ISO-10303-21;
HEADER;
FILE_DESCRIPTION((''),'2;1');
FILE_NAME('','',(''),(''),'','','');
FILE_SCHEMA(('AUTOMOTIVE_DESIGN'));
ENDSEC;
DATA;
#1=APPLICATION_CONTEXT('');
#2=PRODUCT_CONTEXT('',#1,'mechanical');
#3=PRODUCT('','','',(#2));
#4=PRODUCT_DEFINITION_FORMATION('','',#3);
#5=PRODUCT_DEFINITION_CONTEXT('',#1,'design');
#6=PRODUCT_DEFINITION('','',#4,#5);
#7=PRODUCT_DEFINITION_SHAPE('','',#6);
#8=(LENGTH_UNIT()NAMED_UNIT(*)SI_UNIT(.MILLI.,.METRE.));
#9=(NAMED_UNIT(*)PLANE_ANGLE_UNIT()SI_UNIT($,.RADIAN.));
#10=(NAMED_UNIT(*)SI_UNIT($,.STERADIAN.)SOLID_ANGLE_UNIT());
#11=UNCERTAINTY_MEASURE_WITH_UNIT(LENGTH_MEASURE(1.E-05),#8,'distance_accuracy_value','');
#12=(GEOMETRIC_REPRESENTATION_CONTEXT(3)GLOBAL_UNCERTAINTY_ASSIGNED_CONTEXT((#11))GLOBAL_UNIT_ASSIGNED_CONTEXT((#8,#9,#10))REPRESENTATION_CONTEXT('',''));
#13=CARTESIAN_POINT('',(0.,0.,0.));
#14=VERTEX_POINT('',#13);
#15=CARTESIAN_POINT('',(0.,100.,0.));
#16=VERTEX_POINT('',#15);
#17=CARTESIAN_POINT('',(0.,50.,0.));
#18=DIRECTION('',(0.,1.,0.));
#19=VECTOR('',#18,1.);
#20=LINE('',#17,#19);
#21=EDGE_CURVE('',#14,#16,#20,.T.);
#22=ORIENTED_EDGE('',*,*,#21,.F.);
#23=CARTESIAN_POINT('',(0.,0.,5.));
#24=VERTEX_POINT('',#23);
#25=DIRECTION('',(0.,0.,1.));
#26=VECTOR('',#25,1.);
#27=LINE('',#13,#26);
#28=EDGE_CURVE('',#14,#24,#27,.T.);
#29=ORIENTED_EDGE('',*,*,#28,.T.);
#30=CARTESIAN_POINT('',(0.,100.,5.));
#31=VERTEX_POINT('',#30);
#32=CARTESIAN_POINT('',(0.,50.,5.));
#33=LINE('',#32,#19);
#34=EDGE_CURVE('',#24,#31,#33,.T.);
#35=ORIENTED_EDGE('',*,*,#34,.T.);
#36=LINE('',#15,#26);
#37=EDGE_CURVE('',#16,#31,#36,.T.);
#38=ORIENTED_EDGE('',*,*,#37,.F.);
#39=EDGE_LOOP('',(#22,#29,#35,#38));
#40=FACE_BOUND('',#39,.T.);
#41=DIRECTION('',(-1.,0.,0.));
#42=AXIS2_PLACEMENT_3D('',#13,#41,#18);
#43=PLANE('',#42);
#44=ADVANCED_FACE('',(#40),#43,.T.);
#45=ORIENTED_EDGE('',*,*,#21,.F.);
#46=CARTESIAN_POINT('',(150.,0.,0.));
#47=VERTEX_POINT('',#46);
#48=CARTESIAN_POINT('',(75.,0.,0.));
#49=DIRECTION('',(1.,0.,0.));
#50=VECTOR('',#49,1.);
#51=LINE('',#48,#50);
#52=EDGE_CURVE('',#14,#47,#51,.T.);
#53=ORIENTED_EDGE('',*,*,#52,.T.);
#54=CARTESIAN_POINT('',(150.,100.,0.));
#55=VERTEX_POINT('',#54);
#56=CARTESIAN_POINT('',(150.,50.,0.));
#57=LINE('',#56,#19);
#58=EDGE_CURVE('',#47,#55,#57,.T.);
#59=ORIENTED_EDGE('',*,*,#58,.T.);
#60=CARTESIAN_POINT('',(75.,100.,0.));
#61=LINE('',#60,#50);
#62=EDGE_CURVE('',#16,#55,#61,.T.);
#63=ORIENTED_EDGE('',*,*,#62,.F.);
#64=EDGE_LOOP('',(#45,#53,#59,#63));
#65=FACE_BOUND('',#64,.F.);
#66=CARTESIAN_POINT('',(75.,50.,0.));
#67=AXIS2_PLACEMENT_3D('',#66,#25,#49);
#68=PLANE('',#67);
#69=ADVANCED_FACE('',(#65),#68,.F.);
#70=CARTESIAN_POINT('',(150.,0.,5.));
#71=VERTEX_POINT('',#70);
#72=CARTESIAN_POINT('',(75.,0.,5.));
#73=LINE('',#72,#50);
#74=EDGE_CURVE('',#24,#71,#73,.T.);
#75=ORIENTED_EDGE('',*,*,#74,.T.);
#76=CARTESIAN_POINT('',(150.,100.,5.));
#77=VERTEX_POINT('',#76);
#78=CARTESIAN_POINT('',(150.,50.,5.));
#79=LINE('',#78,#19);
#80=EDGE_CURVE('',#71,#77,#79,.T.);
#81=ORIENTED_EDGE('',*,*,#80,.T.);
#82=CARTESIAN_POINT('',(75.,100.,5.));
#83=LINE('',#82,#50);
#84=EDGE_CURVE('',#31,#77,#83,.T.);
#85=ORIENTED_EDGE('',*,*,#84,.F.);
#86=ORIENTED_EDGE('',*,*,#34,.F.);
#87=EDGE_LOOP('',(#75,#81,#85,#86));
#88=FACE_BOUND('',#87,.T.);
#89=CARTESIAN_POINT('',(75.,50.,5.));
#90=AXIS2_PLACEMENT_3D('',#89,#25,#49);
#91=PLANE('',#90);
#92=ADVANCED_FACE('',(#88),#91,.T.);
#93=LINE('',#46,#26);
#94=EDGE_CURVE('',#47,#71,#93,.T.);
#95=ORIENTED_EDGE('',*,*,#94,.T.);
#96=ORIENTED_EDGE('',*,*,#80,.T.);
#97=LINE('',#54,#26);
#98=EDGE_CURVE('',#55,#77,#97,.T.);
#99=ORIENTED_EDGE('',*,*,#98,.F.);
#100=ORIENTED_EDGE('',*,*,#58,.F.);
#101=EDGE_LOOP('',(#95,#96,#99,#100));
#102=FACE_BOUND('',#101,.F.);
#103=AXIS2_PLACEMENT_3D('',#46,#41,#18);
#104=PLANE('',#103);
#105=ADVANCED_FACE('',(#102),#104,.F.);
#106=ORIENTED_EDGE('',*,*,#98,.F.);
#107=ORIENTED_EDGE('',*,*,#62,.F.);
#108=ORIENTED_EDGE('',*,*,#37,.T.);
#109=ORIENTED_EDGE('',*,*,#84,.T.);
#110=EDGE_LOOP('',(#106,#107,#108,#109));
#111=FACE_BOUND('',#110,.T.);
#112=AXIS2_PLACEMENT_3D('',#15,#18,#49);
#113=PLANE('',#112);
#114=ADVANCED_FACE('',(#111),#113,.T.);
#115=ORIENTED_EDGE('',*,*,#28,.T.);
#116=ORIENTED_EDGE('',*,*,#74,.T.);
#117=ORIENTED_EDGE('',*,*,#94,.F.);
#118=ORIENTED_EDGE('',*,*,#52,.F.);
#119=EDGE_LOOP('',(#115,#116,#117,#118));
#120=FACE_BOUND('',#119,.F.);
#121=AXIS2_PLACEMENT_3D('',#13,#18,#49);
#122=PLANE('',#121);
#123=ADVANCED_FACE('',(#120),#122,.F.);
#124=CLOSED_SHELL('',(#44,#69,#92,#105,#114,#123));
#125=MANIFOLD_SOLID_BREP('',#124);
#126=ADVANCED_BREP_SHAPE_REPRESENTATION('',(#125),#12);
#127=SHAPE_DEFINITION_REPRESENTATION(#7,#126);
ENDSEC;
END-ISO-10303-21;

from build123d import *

# Parameters (mm, degrees)
ESQUISSE1_W        = 150
ESQUISSE1_H        = 100
BOSS_EXTRU_1_DEPTH = 5


with BuildPart() as part:
    # Esquisse1 → Boss.-Extru.1 (new body)
    with BuildSketch(Plane.XY):
        with Locations((75, 50)):
            Rectangle(ESQUISSE1_W, ESQUISSE1_H)
    extrude(amount=BOSS_EXTRU_1_DEPTH)


solid = part.part
